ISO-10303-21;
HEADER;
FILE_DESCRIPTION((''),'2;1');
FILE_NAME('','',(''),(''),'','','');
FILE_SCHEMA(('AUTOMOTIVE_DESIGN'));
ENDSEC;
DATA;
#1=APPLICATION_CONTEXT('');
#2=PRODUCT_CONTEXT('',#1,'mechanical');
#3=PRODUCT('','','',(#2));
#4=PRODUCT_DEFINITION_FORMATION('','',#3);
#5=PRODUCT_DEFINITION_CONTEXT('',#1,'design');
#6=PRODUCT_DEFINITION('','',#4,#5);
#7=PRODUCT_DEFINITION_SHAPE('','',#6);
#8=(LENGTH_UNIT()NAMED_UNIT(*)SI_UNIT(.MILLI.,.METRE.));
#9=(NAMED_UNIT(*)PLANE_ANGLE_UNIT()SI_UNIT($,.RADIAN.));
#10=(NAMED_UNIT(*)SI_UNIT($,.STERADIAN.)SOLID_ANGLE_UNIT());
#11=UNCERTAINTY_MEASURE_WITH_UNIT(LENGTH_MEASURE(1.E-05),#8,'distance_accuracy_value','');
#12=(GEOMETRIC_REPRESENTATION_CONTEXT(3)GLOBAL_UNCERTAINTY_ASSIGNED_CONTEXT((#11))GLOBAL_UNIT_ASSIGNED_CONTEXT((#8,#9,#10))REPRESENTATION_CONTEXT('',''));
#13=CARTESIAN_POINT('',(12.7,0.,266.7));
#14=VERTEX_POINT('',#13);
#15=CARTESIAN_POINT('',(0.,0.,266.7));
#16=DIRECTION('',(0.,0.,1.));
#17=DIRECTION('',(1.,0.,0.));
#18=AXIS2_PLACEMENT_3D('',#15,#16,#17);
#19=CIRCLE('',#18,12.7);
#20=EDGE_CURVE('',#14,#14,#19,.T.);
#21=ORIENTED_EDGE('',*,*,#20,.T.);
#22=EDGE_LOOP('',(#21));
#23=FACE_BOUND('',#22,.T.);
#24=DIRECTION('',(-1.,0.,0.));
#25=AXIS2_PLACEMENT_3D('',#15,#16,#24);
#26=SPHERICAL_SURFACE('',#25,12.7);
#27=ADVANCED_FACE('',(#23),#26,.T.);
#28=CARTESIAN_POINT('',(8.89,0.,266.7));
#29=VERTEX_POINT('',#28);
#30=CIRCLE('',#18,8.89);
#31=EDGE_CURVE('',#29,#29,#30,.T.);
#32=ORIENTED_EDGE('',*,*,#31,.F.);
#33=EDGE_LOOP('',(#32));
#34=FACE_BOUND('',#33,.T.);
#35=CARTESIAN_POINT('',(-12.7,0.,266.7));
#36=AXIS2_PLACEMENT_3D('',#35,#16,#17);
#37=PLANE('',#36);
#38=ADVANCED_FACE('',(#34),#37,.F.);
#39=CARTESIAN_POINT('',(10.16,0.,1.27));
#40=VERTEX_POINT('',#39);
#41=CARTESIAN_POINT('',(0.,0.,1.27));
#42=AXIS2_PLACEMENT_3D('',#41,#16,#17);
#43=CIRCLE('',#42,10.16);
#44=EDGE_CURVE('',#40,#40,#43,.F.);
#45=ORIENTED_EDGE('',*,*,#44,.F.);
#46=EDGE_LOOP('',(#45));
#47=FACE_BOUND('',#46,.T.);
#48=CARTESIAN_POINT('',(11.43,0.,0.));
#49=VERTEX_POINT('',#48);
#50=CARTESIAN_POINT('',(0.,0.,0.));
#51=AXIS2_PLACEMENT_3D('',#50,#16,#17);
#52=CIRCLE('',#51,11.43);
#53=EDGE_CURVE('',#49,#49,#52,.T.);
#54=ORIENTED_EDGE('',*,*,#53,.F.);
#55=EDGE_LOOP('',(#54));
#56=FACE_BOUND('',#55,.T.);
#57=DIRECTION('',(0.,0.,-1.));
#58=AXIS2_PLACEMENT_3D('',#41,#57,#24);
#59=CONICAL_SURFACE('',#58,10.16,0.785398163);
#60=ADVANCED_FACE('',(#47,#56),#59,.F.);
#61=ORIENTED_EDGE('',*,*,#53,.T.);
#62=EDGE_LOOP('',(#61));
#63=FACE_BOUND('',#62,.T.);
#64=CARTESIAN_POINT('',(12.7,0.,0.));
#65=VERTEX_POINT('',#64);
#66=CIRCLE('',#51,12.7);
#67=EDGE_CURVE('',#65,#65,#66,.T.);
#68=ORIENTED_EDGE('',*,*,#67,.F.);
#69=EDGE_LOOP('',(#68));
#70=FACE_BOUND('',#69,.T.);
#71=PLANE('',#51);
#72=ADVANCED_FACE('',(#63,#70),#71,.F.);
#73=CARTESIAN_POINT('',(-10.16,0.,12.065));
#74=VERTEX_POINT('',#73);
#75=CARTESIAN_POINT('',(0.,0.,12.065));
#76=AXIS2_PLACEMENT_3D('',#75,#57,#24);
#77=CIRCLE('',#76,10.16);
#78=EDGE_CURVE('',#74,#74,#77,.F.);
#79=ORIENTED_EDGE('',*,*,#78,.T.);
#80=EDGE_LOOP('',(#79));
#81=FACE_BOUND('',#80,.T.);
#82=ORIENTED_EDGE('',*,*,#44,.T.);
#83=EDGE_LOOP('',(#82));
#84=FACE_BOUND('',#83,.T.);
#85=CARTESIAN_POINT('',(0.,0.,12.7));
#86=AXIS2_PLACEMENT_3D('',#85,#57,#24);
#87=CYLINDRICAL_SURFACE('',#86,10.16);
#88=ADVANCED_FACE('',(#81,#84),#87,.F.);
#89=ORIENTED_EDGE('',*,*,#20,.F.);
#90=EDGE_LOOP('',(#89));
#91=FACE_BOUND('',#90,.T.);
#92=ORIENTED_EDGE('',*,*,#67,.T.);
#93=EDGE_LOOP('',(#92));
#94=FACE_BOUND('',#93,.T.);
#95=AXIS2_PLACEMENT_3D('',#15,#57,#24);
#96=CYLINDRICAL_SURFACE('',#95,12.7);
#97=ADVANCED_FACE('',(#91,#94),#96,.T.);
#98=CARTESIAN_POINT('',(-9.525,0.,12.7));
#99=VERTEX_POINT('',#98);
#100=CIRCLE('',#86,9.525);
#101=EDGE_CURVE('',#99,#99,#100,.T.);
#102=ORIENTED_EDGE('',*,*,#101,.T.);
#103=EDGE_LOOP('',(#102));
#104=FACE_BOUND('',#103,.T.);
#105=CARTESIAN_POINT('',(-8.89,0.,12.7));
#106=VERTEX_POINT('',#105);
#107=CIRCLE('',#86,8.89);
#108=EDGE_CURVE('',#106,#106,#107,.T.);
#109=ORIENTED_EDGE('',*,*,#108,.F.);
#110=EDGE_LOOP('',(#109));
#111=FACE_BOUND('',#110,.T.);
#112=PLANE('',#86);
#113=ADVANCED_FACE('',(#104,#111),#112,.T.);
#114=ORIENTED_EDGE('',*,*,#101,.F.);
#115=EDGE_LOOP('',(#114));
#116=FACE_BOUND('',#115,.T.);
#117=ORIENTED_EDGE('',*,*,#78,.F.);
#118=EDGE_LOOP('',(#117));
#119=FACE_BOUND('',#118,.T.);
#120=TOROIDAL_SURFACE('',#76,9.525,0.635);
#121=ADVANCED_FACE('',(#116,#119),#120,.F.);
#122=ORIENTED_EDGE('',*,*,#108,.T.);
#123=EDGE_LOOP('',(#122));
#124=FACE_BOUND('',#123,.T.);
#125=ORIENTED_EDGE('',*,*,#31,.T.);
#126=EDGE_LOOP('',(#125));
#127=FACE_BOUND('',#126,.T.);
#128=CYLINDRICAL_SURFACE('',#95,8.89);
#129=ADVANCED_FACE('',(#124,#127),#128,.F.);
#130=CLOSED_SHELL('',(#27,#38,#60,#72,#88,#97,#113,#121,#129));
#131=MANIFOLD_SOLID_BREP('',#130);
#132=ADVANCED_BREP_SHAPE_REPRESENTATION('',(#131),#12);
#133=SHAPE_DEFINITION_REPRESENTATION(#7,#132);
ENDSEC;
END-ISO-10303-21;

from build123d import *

# Parameters (mm, degrees)
SKETCH1_R           = 12.7
SKETCH1_R_2         = 8.89
BOSS_EXTRUDE1_DEPTH = 266.7
SKETCH3_R           = 10.16
CUT_EXTRUDE1_DEPTH  = 12.7
CHAMFER1_SIZE       = 1.27
FILLET1_R           = 0.635


with BuildPart() as part:
    # Sketch1 → Boss-Extrude1 (new body)
    with BuildSketch(Plane.XY):
        Circle(SKETCH1_R)
        Circle(SKETCH1_R_2, mode=Mode.SUBTRACT)
    extrude(amount=BOSS_EXTRUDE1_DEPTH)

    # Sketch2 → Revolve1 (revolve)
    with BuildSketch(Plane(origin=(0, 0, 0), x_dir=(1, 0, 0), z_dir=(0, 1, 0))):
        with BuildLine():
            Line((-12.7, -266.7), (0, -266.7))
            Line((0, -266.7), (0, -279.4))
            ThreePointArc((0, -279.4), (-8.980256121, -275.680256121), (-12.7, -266.7))
        make_face()
    revolve(axis=Axis((0, 0, 279.4), (0, 0, -1)))

    # Sketch3 → Cut-Extrude1 (cut)
    with BuildSketch(Plane(origin=(0, 0, 0), x_dir=(-1, 0, 0), z_dir=(0, 0, -1))):
        Circle(SKETCH3_R)
    extrude(amount=-CUT_EXTRUDE1_DEPTH, mode=Mode.SUBTRACT)

    # Chamfer1
    chamfer1_edges = [part.edges().sort_by_distance(p)[0] for p in [
        (10.16, 0, 0),
    ]]
    chamfer(chamfer1_edges, length=CHAMFER1_SIZE)

    # Fillet1
    fillet1_edges = [part.edges().sort_by_distance(p)[0] for p in [
        (10.16, 0, 12.7),
    ]]
    fillet(fillet1_edges, radius=FILLET1_R)


solid = part.part
